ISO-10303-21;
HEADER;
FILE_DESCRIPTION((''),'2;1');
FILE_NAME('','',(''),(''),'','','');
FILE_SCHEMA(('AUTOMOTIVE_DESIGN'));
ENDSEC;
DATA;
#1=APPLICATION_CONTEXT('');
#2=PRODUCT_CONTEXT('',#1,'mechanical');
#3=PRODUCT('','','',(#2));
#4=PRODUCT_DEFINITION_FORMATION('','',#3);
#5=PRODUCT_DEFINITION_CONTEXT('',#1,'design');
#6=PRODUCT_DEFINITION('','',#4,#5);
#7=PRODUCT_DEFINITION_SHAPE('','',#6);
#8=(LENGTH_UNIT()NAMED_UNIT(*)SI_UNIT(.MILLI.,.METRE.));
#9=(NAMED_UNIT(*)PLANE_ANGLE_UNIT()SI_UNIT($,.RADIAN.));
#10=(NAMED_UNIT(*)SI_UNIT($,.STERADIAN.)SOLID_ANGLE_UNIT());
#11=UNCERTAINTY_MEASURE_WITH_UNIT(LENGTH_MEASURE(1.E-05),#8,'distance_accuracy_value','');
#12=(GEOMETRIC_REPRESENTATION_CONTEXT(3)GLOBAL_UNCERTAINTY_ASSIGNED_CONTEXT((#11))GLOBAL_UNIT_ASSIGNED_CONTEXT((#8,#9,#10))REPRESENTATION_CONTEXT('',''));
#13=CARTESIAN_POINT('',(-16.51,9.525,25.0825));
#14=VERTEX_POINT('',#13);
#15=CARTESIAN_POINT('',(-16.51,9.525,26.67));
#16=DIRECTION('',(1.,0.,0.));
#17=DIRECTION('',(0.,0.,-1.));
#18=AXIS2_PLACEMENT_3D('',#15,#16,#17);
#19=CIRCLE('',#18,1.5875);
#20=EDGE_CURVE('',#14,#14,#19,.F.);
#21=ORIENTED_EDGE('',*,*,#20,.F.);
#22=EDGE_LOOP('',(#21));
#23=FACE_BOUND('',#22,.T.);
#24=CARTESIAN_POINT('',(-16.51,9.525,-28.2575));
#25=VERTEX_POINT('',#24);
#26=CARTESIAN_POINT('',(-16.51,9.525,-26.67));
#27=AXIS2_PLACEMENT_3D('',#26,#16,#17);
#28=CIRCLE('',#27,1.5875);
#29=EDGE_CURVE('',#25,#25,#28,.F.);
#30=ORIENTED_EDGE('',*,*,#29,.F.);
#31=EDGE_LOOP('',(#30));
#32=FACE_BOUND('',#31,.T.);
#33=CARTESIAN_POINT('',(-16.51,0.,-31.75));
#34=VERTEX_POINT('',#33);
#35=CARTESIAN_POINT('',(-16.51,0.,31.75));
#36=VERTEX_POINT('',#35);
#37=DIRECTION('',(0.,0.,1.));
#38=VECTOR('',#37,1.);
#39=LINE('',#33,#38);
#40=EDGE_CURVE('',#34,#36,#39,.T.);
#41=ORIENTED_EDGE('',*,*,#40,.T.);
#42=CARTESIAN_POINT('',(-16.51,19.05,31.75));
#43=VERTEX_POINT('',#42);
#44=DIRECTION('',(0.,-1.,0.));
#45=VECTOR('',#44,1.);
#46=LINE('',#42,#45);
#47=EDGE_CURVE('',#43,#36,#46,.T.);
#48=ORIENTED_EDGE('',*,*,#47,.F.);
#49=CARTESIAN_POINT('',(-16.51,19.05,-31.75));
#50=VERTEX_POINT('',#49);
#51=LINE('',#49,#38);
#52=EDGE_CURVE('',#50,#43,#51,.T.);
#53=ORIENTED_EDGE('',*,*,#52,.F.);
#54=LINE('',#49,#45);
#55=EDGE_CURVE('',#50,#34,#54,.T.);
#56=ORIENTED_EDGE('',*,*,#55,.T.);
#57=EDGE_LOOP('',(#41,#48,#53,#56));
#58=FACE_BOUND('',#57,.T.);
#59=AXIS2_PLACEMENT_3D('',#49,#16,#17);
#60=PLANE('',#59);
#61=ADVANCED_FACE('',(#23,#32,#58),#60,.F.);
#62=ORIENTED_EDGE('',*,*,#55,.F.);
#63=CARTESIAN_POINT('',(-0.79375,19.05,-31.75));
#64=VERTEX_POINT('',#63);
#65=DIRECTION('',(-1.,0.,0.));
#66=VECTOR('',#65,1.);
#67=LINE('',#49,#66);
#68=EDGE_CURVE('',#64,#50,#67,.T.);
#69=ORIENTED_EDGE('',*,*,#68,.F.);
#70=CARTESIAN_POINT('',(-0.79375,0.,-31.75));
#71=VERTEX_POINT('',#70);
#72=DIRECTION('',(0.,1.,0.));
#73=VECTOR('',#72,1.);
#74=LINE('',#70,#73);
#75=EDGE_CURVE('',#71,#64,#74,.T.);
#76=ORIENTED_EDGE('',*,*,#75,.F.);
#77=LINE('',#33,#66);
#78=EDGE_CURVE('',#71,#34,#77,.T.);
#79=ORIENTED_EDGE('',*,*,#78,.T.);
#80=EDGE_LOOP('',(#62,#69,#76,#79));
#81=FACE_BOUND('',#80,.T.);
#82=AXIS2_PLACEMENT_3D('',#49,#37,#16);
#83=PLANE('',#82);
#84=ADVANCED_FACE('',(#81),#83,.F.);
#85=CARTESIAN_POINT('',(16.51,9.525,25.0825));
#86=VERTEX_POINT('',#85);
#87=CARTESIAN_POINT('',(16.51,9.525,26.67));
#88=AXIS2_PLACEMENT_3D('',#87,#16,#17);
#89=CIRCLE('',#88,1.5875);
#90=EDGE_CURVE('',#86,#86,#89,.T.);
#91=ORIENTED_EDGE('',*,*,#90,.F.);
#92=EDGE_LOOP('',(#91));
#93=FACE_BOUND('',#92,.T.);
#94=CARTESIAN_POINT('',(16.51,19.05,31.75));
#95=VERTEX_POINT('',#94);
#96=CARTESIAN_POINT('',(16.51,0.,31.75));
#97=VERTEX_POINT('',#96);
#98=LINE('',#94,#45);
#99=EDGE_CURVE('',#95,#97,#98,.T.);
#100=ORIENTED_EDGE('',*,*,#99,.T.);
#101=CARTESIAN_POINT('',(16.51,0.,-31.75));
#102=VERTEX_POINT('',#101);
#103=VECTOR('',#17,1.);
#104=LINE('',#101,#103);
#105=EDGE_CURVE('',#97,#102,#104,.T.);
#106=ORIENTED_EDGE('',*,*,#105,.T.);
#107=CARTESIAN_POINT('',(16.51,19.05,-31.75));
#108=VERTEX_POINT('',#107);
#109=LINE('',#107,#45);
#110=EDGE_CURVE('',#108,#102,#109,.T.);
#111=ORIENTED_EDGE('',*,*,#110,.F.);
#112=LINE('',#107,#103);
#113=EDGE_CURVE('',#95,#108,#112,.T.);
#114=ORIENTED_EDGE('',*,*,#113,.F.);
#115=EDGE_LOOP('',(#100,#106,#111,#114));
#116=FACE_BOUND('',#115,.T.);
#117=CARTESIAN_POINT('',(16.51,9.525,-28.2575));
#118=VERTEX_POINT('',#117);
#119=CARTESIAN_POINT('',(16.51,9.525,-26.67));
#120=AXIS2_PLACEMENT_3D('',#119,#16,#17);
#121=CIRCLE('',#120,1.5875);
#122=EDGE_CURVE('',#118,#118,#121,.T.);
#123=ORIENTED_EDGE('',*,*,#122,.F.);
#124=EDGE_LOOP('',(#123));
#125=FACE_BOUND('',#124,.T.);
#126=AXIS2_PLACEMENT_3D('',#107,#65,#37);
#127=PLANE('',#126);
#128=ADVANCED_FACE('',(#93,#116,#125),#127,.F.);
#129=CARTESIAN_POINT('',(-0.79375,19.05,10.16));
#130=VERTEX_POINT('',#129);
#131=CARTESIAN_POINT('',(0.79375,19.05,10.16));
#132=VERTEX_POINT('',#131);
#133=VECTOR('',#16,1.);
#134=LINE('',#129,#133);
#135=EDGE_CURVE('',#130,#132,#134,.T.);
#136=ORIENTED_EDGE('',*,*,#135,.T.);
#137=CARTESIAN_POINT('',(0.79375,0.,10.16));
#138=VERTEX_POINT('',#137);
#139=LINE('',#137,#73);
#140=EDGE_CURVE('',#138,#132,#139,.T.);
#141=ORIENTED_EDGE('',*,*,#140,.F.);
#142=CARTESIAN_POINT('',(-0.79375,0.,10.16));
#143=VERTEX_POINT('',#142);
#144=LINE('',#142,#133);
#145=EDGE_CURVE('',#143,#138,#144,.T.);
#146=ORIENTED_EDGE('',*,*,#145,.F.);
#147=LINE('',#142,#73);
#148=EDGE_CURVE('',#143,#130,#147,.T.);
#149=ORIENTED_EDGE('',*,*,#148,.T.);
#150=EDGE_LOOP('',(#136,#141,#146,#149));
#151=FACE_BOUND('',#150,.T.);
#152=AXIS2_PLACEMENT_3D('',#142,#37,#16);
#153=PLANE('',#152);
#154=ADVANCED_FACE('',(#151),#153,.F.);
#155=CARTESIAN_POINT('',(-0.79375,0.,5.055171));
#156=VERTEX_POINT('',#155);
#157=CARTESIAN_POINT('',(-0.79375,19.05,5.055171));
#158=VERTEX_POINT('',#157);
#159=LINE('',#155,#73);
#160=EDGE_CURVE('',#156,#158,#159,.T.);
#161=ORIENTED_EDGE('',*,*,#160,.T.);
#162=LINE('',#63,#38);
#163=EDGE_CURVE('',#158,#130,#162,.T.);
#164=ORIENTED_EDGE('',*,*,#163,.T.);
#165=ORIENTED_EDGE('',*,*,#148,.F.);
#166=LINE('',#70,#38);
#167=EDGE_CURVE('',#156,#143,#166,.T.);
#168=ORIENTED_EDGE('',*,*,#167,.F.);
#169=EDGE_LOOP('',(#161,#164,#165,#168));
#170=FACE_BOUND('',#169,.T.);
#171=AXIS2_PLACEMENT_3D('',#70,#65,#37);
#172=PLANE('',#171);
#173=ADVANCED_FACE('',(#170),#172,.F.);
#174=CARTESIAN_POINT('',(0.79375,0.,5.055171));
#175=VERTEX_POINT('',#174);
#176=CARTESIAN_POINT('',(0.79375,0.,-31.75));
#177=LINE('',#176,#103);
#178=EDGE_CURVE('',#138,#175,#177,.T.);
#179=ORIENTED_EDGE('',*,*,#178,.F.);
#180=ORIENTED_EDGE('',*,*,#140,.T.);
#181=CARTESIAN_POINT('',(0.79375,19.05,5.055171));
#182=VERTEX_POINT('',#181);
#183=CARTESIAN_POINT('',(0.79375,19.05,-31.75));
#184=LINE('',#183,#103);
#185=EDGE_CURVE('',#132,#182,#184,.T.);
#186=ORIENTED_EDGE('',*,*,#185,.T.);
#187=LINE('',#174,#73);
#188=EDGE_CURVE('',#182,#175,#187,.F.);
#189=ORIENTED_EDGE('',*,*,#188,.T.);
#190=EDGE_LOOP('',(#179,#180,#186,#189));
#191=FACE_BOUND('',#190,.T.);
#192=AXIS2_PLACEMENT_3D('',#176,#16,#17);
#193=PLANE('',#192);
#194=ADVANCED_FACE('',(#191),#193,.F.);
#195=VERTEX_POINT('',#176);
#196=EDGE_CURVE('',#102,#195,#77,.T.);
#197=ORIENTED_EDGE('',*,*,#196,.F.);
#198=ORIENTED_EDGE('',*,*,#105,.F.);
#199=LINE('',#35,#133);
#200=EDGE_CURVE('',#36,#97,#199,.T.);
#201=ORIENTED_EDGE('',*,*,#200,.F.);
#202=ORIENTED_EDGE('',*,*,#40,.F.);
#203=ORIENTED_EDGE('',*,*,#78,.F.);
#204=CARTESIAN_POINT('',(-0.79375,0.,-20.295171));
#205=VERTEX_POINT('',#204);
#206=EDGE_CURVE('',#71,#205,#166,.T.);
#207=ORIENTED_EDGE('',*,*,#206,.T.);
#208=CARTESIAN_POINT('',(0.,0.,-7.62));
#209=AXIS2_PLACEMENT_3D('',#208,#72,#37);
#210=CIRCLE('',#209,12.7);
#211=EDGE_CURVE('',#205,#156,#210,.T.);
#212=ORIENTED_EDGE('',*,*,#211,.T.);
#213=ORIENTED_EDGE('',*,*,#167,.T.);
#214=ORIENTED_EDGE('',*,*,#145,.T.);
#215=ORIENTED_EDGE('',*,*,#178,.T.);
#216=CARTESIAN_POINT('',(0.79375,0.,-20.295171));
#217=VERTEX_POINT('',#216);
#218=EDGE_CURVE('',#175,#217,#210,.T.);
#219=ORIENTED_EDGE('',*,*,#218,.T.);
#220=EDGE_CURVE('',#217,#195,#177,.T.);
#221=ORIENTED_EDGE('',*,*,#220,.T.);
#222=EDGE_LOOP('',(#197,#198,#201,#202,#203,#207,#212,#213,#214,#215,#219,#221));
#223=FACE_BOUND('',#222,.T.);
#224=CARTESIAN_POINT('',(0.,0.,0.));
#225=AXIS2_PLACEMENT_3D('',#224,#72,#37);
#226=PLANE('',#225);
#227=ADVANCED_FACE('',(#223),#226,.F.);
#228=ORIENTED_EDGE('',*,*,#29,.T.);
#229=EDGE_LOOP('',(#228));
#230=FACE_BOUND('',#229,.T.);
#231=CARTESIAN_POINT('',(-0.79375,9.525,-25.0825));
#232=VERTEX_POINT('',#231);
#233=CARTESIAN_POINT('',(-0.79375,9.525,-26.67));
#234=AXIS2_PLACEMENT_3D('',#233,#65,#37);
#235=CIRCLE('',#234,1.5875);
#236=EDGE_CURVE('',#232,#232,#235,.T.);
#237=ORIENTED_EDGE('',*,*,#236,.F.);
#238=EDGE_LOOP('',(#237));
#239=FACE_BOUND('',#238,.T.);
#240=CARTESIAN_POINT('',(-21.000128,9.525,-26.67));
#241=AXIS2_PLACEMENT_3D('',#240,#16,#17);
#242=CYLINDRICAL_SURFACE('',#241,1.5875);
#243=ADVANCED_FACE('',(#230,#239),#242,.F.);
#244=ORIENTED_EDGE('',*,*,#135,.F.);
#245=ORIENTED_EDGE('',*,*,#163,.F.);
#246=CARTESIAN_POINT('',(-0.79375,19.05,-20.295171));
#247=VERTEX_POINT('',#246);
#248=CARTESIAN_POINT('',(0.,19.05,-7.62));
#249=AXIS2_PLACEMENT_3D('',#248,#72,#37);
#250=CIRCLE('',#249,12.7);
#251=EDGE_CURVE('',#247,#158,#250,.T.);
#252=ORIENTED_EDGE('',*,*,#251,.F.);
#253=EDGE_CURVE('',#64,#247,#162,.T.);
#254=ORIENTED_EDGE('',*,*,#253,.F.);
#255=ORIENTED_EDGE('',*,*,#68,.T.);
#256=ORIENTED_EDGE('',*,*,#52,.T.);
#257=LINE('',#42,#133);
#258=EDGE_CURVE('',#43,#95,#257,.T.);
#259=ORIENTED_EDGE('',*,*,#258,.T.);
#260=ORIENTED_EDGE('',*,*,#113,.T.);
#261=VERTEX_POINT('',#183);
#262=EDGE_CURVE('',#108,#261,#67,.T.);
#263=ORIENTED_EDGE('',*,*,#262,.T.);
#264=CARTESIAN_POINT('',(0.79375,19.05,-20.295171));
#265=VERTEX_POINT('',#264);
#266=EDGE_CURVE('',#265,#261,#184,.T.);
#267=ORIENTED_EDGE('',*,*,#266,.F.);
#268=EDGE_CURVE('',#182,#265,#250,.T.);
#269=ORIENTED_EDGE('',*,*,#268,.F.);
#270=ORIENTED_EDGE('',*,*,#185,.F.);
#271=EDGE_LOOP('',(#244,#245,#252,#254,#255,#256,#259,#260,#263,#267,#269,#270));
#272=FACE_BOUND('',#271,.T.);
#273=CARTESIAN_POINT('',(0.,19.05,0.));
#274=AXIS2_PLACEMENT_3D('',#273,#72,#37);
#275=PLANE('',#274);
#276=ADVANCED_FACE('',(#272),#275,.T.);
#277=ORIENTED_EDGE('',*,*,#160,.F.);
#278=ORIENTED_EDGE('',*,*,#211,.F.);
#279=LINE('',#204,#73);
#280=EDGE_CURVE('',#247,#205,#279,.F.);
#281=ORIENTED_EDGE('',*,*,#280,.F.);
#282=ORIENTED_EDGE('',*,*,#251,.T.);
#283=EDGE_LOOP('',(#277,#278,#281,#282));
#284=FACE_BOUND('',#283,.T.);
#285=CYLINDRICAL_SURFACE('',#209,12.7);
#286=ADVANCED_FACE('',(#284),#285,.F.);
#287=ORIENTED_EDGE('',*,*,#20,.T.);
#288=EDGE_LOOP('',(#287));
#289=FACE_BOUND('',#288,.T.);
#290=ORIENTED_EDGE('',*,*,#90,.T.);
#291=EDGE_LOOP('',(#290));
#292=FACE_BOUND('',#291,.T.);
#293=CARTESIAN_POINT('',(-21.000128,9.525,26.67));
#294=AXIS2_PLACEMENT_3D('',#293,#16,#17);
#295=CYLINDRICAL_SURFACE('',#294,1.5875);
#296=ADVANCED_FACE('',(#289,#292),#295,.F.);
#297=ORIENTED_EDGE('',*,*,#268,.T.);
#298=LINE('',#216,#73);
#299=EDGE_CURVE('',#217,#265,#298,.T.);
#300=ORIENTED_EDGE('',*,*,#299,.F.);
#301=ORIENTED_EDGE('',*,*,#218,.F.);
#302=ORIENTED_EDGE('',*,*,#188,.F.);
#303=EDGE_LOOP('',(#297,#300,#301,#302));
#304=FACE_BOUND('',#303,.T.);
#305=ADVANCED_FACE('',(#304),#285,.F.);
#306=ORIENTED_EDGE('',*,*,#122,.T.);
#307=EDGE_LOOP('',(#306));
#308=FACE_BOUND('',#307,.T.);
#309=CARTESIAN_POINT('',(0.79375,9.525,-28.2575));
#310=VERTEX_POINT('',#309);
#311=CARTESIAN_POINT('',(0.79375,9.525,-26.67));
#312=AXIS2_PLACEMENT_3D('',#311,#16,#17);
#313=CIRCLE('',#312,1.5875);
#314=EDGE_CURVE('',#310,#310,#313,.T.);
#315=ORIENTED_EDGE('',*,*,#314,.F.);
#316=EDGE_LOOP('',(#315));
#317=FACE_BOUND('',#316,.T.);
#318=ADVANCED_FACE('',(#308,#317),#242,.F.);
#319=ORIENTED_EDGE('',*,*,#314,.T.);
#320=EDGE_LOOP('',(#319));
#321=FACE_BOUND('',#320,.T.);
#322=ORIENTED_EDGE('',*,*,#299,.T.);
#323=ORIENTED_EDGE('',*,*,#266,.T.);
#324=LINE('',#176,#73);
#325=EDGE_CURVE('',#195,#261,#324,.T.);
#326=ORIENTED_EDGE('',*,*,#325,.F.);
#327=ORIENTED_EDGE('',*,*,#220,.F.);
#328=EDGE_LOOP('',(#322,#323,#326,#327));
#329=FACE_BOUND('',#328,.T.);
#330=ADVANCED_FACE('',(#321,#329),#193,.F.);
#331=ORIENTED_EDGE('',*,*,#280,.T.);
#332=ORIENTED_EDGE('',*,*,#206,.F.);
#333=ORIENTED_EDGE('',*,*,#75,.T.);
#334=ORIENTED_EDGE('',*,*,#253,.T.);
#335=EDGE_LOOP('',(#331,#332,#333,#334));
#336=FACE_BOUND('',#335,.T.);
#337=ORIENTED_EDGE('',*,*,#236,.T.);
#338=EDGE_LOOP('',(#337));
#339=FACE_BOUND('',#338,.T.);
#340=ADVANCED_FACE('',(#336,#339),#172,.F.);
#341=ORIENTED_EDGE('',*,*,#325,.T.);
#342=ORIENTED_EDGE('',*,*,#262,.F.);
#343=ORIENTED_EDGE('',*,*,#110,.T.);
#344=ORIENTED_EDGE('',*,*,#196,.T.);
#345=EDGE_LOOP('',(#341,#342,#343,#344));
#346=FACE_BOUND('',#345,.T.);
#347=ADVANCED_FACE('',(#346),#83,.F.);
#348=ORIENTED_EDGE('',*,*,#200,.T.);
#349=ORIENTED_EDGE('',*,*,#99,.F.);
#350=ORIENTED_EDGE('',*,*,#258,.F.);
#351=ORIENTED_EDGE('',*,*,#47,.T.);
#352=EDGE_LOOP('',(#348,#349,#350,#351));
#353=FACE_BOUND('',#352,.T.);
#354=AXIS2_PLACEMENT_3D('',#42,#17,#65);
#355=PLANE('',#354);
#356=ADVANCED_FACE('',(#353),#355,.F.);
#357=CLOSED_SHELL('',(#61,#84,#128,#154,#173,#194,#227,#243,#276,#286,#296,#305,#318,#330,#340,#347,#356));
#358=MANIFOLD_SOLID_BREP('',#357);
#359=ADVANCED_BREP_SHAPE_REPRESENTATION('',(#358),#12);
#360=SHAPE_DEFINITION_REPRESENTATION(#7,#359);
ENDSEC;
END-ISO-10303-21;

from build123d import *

# Parameters (mm, degrees)
SKETCH1_W           = 33.02
SKETCH1_H           = 63.5
BOSS_EXTRUDE1_DEPTH = 19.05
CUT_EXTRUDE1_DEPTH  = 19.05
SKETCH3_R           = 12.7
CUT_EXTRUDE2_DEPTH  = 19.05
SKETCH4_R           = 1.5875
CUT_EXTRUDE3_DEPTH  = 33.02


with BuildPart() as part:
    # Sketch1 → Boss-Extrude1 (new body)
    with BuildSketch(Plane(origin=(0, 0, 0), x_dir=(1, 0, 0), z_dir=(0, 1, 0))):
        Rectangle(SKETCH1_W, SKETCH1_H)
    extrude(amount=BOSS_EXTRUDE1_DEPTH)

    # Sketch2 → Cut-Extrude1 (cut)
    with BuildSketch(Plane(origin=(0, 19.05, 0), x_dir=(1, 0, 0), z_dir=(0, 1, 0))):
        Polygon((0, 31.75), (0.79375, 31.75), (0.79375, -10.16), (-0.79375, -10.16), (-0.79375, 31.75), align=None)
    extrude(amount=-CUT_EXTRUDE1_DEPTH, mode=Mode.SUBTRACT)

    # Sketch3 → Cut-Extrude2 (cut)
    with BuildSketch(Plane(origin=(0, 19.05, 0), x_dir=(1, 0, 0), z_dir=(0, 1, 0))):
        with Locations((0, 7.62)):
            Circle(SKETCH3_R)
    extrude(amount=-CUT_EXTRUDE2_DEPTH, mode=Mode.SUBTRACT)

    # Sketch4 → Cut-Extrude3 (cut)
    with BuildSketch(Plane(origin=(16.51, 0, 0), x_dir=(0, 0, -1), z_dir=(1, 0, 0))):
        with Locations((-26.67, 9.525)):
            Circle(SKETCH4_R)
        with Locations((26.67, 9.525)):
            Circle(SKETCH4_R)
    extrude(amount=-CUT_EXTRUDE3_DEPTH, mode=Mode.SUBTRACT)


solid = part.part
